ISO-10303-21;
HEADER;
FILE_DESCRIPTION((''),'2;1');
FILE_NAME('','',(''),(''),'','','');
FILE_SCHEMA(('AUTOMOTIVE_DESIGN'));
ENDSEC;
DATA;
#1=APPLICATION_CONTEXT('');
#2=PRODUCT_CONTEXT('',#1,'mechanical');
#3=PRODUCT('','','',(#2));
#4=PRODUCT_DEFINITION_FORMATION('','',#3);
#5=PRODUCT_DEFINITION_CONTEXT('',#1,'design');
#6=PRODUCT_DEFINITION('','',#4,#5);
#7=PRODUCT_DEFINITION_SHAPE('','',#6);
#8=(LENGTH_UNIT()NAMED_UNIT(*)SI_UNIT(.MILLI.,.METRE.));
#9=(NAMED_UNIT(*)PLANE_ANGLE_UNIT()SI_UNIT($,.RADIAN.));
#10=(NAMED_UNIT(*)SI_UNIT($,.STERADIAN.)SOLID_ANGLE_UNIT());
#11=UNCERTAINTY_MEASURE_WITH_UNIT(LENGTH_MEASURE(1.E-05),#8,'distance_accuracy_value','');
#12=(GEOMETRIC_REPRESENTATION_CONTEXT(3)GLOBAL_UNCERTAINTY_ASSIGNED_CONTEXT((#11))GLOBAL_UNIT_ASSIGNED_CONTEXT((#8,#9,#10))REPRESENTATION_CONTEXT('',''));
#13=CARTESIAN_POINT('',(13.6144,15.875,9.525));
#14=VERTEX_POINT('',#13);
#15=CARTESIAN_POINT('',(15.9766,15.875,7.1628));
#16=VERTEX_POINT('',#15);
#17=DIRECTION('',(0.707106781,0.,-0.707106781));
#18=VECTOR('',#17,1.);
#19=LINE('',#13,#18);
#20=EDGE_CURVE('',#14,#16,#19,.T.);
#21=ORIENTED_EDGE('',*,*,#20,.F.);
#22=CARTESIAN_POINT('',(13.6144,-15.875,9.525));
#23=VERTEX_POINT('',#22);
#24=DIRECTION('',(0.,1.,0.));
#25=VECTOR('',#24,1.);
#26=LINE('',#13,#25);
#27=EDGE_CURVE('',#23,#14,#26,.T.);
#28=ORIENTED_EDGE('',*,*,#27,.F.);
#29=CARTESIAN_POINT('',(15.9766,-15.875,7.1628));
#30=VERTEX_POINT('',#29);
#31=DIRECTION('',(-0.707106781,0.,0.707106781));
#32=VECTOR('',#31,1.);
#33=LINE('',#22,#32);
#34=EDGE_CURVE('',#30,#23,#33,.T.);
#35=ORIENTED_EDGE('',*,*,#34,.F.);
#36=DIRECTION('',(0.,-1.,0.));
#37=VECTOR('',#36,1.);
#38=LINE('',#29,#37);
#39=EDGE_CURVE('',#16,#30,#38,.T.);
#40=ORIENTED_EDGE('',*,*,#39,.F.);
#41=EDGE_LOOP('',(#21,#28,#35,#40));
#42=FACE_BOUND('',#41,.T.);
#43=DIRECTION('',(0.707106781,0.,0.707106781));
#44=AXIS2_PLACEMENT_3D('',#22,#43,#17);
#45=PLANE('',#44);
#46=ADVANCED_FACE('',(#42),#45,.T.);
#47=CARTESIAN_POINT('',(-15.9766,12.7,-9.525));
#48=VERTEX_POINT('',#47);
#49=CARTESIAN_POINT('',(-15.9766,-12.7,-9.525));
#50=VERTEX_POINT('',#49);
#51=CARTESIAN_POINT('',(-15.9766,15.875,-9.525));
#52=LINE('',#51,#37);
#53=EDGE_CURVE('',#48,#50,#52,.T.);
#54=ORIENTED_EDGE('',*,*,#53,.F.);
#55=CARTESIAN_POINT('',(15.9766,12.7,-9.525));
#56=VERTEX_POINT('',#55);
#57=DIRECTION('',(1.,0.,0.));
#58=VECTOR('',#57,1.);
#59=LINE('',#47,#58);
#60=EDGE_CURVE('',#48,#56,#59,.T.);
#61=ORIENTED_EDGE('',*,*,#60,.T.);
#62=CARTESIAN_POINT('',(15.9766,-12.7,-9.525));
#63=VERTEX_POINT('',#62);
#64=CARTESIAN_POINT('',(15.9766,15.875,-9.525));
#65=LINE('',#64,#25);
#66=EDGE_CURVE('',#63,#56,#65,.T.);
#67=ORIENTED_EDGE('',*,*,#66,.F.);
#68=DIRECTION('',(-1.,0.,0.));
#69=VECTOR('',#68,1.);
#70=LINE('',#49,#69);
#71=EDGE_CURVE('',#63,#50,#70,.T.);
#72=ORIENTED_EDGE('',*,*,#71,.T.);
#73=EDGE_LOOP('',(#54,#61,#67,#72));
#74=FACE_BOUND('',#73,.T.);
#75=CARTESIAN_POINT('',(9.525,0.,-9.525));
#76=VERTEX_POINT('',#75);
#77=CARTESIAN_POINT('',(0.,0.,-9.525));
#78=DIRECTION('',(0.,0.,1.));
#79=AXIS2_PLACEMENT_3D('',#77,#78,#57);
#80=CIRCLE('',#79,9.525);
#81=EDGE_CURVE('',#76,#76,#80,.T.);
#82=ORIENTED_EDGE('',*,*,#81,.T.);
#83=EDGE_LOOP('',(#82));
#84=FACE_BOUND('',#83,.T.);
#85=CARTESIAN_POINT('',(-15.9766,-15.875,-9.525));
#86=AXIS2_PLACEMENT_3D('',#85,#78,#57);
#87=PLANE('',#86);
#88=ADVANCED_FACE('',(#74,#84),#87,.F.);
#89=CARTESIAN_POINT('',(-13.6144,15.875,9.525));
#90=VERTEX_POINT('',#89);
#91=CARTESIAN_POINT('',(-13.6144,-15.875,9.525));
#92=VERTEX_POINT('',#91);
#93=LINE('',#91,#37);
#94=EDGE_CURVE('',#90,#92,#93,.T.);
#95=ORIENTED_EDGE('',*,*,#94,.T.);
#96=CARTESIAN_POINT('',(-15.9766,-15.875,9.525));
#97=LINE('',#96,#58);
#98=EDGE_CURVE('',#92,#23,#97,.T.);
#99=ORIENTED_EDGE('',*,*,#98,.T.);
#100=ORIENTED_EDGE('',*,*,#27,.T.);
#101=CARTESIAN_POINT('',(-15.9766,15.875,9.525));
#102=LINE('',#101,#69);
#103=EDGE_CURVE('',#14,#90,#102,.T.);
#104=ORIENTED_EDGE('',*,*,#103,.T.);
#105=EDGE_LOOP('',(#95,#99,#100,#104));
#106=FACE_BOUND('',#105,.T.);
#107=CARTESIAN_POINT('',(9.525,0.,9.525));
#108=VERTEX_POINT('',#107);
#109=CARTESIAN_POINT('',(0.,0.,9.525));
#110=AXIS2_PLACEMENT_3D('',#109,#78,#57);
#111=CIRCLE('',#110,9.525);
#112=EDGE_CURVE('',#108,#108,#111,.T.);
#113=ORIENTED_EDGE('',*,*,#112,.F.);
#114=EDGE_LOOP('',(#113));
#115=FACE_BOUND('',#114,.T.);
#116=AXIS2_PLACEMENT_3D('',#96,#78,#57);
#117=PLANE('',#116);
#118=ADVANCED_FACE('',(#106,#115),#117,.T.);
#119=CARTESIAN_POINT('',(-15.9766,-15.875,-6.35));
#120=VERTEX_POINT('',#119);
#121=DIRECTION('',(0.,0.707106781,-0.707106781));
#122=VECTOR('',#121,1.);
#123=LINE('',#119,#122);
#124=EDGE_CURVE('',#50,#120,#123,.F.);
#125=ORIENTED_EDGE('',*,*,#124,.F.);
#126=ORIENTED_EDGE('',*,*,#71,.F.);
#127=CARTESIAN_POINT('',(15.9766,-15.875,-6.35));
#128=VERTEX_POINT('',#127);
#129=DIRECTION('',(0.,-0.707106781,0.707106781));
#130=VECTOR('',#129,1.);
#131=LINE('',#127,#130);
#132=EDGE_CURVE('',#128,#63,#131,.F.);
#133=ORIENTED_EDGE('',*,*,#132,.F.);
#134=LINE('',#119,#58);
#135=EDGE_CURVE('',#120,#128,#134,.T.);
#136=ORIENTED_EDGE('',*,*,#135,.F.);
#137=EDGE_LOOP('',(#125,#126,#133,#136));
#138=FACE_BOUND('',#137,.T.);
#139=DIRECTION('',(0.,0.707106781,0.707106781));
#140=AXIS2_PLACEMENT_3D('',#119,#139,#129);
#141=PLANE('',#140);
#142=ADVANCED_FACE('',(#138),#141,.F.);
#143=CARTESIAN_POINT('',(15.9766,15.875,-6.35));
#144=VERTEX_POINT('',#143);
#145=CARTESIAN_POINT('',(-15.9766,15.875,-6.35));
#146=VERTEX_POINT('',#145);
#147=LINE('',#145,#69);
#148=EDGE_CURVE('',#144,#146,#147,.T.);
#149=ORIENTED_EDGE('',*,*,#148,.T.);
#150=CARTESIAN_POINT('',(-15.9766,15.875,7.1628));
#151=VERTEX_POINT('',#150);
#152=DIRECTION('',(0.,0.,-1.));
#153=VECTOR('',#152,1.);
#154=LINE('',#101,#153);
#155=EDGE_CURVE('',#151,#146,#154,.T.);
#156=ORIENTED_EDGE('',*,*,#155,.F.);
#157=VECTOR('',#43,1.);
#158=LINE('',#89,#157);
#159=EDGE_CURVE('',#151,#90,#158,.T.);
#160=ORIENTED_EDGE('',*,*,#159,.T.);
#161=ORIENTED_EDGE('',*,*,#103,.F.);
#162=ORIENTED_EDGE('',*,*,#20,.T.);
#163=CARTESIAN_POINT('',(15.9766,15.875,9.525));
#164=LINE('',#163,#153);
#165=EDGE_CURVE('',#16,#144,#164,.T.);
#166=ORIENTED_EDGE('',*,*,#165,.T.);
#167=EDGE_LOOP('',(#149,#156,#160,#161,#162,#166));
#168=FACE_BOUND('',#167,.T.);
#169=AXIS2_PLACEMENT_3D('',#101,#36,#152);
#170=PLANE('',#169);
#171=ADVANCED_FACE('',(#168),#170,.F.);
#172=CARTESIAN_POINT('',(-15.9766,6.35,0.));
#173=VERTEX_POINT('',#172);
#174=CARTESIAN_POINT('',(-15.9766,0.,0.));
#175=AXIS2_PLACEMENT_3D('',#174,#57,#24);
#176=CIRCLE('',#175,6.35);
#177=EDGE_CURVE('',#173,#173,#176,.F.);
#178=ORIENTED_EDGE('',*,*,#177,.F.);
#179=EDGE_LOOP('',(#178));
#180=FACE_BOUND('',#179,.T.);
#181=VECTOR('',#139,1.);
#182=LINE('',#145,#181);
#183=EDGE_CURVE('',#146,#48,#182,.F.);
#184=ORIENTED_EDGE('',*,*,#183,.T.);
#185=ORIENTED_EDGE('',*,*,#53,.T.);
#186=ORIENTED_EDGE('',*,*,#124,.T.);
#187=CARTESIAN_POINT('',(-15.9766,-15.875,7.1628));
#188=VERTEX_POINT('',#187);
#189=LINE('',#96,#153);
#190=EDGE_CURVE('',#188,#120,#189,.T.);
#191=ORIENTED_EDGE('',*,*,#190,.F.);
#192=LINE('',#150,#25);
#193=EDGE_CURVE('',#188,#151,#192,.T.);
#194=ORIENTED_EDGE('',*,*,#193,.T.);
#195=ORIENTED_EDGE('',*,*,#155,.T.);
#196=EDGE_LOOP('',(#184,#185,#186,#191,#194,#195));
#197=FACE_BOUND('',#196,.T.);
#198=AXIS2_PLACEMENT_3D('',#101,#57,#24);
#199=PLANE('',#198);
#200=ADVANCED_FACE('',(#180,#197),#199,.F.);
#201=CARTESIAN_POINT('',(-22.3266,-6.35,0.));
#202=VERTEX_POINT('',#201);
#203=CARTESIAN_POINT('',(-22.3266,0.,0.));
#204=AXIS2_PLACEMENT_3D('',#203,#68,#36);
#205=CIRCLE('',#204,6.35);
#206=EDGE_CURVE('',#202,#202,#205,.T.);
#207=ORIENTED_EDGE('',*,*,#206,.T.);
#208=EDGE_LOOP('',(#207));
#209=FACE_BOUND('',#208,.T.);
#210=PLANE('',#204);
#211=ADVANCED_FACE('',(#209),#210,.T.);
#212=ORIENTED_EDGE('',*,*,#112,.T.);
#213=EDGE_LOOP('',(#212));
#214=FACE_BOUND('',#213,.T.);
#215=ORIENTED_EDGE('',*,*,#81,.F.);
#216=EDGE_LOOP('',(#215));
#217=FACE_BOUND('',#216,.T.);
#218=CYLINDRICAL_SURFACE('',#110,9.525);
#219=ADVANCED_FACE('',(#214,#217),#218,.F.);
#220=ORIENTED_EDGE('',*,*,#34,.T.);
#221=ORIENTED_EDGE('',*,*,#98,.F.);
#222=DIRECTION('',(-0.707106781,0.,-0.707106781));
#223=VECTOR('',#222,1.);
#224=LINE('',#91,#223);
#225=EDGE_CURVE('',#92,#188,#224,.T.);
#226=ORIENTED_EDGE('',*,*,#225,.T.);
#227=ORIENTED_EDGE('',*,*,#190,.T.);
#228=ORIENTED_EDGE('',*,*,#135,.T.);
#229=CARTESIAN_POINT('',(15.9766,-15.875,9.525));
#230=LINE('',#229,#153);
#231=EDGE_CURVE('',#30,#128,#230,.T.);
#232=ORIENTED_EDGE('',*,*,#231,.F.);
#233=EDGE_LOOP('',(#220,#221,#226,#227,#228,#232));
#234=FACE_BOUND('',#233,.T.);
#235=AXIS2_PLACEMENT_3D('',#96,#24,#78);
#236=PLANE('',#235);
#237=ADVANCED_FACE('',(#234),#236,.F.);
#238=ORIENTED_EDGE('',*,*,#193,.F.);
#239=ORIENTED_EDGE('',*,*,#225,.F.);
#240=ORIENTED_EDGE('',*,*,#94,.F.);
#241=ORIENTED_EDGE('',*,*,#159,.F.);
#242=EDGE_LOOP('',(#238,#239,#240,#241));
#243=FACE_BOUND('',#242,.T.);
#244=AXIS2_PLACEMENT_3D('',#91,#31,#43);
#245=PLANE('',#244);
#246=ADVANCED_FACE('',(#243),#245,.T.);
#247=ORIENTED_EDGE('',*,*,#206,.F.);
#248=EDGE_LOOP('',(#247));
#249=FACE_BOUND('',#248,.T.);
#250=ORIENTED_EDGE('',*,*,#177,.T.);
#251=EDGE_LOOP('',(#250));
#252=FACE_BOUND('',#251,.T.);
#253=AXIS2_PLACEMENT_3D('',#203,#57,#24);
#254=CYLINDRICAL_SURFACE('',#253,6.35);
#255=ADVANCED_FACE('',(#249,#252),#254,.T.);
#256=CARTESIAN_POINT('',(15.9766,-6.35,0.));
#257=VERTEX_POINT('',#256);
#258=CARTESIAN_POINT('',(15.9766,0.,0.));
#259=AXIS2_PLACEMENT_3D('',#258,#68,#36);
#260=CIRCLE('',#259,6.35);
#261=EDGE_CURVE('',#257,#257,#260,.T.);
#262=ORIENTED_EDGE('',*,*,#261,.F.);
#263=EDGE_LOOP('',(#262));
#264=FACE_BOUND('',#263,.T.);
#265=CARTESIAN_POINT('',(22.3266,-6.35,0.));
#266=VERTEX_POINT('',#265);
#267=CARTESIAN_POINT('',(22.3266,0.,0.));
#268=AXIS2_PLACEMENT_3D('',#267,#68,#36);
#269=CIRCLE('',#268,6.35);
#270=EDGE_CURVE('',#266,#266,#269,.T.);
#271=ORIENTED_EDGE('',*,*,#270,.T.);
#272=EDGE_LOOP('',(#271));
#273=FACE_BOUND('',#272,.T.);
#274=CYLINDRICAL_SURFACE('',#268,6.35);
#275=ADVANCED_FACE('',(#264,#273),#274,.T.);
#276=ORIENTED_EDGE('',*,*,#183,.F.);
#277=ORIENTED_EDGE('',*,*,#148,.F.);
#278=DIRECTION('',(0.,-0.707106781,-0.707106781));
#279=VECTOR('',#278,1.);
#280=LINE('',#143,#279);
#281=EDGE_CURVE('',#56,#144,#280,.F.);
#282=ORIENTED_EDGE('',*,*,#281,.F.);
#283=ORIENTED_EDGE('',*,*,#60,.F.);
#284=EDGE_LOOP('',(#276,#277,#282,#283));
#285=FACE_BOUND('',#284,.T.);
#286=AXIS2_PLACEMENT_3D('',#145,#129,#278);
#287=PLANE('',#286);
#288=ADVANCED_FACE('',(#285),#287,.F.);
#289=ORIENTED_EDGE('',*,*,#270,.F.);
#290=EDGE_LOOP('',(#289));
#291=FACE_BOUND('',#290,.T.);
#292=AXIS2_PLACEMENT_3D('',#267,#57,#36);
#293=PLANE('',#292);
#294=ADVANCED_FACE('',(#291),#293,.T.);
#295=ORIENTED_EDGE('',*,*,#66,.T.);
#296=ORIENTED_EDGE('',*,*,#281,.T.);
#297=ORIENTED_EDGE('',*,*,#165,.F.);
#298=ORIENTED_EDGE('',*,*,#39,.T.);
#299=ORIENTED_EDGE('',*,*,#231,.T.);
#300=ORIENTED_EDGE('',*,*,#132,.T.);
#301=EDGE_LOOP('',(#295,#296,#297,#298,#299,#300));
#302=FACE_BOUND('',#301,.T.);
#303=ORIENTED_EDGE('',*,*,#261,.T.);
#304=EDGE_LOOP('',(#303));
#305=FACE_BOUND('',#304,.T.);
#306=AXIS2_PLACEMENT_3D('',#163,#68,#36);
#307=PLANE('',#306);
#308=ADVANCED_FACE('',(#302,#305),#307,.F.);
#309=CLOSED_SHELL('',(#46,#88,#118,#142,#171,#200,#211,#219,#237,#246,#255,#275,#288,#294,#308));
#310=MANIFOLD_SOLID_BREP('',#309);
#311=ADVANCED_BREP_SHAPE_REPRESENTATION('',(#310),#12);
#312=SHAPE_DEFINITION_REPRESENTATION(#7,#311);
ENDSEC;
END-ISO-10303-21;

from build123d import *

# Parameters (mm, degrees)
SKETCH1_W                          = 31.9532
SKETCH1_H                          = 31.75
EXTRUDE1_DEPTH                     = 9.525
SKETCH2_R                          = 6.35
EXTRUDE2_DEPTH                     = 6.35
CHAMFER1_SIZE                      = 3.175
F_3_4_10_ACME_2C_RH_TAPPED_HOLE1_D = 19.05
CHAMFER2_SIZE                      = 2.3622


with BuildPart() as part:
    # Sketch1 → Extrude1 (new body, symmetric)
    with BuildSketch(Plane.XY):
        Rectangle(SKETCH1_W, SKETCH1_H)
    extrude(amount=EXTRUDE1_DEPTH, both=True)

    # Sketch2 → Extrude2 (add)
    with BuildSketch(Plane.ZY.offset(15.9766)):
        with Locations(Location((0, 0, 0), (0, 0, 90))):  # turned: the seam where the file's is
            Circle(SKETCH2_R)
    extrude2 = extrude(amount=EXTRUDE2_DEPTH)

    # Mirror1: Extrude2 across plane
    add(extrude2.mirror(Plane(origin=(0, 0, 0), x_dir=(0, 0, 1), z_dir=(1, 0, 0))))

    # Chamfer1
    chamfer1_edges = [part.edges().sort_by_distance(p)[0] for p in [
        (0, 15.875, -9.525),
        (0, -15.875, -9.525),
    ]]
    chamfer(chamfer1_edges, length=CHAMFER1_SIZE)

    # 3/4-10-ACME-2C-RH Tapped Hole1 (through all)
    with Locations(Plane.XY.offset(9.525)):
        with Locations((0, 0)):
            Hole(F_3_4_10_ACME_2C_RH_TAPPED_HOLE1_D / 2)

    # Chamfer2
    chamfer2_edges = [part.edges().sort_by_distance(p)[0] for p in [
        (15.9766, 0, 9.525),
        (-15.9766, 0, 9.525),
    ]]
    chamfer(chamfer2_edges, length=CHAMFER2_SIZE)


solid = part.part
